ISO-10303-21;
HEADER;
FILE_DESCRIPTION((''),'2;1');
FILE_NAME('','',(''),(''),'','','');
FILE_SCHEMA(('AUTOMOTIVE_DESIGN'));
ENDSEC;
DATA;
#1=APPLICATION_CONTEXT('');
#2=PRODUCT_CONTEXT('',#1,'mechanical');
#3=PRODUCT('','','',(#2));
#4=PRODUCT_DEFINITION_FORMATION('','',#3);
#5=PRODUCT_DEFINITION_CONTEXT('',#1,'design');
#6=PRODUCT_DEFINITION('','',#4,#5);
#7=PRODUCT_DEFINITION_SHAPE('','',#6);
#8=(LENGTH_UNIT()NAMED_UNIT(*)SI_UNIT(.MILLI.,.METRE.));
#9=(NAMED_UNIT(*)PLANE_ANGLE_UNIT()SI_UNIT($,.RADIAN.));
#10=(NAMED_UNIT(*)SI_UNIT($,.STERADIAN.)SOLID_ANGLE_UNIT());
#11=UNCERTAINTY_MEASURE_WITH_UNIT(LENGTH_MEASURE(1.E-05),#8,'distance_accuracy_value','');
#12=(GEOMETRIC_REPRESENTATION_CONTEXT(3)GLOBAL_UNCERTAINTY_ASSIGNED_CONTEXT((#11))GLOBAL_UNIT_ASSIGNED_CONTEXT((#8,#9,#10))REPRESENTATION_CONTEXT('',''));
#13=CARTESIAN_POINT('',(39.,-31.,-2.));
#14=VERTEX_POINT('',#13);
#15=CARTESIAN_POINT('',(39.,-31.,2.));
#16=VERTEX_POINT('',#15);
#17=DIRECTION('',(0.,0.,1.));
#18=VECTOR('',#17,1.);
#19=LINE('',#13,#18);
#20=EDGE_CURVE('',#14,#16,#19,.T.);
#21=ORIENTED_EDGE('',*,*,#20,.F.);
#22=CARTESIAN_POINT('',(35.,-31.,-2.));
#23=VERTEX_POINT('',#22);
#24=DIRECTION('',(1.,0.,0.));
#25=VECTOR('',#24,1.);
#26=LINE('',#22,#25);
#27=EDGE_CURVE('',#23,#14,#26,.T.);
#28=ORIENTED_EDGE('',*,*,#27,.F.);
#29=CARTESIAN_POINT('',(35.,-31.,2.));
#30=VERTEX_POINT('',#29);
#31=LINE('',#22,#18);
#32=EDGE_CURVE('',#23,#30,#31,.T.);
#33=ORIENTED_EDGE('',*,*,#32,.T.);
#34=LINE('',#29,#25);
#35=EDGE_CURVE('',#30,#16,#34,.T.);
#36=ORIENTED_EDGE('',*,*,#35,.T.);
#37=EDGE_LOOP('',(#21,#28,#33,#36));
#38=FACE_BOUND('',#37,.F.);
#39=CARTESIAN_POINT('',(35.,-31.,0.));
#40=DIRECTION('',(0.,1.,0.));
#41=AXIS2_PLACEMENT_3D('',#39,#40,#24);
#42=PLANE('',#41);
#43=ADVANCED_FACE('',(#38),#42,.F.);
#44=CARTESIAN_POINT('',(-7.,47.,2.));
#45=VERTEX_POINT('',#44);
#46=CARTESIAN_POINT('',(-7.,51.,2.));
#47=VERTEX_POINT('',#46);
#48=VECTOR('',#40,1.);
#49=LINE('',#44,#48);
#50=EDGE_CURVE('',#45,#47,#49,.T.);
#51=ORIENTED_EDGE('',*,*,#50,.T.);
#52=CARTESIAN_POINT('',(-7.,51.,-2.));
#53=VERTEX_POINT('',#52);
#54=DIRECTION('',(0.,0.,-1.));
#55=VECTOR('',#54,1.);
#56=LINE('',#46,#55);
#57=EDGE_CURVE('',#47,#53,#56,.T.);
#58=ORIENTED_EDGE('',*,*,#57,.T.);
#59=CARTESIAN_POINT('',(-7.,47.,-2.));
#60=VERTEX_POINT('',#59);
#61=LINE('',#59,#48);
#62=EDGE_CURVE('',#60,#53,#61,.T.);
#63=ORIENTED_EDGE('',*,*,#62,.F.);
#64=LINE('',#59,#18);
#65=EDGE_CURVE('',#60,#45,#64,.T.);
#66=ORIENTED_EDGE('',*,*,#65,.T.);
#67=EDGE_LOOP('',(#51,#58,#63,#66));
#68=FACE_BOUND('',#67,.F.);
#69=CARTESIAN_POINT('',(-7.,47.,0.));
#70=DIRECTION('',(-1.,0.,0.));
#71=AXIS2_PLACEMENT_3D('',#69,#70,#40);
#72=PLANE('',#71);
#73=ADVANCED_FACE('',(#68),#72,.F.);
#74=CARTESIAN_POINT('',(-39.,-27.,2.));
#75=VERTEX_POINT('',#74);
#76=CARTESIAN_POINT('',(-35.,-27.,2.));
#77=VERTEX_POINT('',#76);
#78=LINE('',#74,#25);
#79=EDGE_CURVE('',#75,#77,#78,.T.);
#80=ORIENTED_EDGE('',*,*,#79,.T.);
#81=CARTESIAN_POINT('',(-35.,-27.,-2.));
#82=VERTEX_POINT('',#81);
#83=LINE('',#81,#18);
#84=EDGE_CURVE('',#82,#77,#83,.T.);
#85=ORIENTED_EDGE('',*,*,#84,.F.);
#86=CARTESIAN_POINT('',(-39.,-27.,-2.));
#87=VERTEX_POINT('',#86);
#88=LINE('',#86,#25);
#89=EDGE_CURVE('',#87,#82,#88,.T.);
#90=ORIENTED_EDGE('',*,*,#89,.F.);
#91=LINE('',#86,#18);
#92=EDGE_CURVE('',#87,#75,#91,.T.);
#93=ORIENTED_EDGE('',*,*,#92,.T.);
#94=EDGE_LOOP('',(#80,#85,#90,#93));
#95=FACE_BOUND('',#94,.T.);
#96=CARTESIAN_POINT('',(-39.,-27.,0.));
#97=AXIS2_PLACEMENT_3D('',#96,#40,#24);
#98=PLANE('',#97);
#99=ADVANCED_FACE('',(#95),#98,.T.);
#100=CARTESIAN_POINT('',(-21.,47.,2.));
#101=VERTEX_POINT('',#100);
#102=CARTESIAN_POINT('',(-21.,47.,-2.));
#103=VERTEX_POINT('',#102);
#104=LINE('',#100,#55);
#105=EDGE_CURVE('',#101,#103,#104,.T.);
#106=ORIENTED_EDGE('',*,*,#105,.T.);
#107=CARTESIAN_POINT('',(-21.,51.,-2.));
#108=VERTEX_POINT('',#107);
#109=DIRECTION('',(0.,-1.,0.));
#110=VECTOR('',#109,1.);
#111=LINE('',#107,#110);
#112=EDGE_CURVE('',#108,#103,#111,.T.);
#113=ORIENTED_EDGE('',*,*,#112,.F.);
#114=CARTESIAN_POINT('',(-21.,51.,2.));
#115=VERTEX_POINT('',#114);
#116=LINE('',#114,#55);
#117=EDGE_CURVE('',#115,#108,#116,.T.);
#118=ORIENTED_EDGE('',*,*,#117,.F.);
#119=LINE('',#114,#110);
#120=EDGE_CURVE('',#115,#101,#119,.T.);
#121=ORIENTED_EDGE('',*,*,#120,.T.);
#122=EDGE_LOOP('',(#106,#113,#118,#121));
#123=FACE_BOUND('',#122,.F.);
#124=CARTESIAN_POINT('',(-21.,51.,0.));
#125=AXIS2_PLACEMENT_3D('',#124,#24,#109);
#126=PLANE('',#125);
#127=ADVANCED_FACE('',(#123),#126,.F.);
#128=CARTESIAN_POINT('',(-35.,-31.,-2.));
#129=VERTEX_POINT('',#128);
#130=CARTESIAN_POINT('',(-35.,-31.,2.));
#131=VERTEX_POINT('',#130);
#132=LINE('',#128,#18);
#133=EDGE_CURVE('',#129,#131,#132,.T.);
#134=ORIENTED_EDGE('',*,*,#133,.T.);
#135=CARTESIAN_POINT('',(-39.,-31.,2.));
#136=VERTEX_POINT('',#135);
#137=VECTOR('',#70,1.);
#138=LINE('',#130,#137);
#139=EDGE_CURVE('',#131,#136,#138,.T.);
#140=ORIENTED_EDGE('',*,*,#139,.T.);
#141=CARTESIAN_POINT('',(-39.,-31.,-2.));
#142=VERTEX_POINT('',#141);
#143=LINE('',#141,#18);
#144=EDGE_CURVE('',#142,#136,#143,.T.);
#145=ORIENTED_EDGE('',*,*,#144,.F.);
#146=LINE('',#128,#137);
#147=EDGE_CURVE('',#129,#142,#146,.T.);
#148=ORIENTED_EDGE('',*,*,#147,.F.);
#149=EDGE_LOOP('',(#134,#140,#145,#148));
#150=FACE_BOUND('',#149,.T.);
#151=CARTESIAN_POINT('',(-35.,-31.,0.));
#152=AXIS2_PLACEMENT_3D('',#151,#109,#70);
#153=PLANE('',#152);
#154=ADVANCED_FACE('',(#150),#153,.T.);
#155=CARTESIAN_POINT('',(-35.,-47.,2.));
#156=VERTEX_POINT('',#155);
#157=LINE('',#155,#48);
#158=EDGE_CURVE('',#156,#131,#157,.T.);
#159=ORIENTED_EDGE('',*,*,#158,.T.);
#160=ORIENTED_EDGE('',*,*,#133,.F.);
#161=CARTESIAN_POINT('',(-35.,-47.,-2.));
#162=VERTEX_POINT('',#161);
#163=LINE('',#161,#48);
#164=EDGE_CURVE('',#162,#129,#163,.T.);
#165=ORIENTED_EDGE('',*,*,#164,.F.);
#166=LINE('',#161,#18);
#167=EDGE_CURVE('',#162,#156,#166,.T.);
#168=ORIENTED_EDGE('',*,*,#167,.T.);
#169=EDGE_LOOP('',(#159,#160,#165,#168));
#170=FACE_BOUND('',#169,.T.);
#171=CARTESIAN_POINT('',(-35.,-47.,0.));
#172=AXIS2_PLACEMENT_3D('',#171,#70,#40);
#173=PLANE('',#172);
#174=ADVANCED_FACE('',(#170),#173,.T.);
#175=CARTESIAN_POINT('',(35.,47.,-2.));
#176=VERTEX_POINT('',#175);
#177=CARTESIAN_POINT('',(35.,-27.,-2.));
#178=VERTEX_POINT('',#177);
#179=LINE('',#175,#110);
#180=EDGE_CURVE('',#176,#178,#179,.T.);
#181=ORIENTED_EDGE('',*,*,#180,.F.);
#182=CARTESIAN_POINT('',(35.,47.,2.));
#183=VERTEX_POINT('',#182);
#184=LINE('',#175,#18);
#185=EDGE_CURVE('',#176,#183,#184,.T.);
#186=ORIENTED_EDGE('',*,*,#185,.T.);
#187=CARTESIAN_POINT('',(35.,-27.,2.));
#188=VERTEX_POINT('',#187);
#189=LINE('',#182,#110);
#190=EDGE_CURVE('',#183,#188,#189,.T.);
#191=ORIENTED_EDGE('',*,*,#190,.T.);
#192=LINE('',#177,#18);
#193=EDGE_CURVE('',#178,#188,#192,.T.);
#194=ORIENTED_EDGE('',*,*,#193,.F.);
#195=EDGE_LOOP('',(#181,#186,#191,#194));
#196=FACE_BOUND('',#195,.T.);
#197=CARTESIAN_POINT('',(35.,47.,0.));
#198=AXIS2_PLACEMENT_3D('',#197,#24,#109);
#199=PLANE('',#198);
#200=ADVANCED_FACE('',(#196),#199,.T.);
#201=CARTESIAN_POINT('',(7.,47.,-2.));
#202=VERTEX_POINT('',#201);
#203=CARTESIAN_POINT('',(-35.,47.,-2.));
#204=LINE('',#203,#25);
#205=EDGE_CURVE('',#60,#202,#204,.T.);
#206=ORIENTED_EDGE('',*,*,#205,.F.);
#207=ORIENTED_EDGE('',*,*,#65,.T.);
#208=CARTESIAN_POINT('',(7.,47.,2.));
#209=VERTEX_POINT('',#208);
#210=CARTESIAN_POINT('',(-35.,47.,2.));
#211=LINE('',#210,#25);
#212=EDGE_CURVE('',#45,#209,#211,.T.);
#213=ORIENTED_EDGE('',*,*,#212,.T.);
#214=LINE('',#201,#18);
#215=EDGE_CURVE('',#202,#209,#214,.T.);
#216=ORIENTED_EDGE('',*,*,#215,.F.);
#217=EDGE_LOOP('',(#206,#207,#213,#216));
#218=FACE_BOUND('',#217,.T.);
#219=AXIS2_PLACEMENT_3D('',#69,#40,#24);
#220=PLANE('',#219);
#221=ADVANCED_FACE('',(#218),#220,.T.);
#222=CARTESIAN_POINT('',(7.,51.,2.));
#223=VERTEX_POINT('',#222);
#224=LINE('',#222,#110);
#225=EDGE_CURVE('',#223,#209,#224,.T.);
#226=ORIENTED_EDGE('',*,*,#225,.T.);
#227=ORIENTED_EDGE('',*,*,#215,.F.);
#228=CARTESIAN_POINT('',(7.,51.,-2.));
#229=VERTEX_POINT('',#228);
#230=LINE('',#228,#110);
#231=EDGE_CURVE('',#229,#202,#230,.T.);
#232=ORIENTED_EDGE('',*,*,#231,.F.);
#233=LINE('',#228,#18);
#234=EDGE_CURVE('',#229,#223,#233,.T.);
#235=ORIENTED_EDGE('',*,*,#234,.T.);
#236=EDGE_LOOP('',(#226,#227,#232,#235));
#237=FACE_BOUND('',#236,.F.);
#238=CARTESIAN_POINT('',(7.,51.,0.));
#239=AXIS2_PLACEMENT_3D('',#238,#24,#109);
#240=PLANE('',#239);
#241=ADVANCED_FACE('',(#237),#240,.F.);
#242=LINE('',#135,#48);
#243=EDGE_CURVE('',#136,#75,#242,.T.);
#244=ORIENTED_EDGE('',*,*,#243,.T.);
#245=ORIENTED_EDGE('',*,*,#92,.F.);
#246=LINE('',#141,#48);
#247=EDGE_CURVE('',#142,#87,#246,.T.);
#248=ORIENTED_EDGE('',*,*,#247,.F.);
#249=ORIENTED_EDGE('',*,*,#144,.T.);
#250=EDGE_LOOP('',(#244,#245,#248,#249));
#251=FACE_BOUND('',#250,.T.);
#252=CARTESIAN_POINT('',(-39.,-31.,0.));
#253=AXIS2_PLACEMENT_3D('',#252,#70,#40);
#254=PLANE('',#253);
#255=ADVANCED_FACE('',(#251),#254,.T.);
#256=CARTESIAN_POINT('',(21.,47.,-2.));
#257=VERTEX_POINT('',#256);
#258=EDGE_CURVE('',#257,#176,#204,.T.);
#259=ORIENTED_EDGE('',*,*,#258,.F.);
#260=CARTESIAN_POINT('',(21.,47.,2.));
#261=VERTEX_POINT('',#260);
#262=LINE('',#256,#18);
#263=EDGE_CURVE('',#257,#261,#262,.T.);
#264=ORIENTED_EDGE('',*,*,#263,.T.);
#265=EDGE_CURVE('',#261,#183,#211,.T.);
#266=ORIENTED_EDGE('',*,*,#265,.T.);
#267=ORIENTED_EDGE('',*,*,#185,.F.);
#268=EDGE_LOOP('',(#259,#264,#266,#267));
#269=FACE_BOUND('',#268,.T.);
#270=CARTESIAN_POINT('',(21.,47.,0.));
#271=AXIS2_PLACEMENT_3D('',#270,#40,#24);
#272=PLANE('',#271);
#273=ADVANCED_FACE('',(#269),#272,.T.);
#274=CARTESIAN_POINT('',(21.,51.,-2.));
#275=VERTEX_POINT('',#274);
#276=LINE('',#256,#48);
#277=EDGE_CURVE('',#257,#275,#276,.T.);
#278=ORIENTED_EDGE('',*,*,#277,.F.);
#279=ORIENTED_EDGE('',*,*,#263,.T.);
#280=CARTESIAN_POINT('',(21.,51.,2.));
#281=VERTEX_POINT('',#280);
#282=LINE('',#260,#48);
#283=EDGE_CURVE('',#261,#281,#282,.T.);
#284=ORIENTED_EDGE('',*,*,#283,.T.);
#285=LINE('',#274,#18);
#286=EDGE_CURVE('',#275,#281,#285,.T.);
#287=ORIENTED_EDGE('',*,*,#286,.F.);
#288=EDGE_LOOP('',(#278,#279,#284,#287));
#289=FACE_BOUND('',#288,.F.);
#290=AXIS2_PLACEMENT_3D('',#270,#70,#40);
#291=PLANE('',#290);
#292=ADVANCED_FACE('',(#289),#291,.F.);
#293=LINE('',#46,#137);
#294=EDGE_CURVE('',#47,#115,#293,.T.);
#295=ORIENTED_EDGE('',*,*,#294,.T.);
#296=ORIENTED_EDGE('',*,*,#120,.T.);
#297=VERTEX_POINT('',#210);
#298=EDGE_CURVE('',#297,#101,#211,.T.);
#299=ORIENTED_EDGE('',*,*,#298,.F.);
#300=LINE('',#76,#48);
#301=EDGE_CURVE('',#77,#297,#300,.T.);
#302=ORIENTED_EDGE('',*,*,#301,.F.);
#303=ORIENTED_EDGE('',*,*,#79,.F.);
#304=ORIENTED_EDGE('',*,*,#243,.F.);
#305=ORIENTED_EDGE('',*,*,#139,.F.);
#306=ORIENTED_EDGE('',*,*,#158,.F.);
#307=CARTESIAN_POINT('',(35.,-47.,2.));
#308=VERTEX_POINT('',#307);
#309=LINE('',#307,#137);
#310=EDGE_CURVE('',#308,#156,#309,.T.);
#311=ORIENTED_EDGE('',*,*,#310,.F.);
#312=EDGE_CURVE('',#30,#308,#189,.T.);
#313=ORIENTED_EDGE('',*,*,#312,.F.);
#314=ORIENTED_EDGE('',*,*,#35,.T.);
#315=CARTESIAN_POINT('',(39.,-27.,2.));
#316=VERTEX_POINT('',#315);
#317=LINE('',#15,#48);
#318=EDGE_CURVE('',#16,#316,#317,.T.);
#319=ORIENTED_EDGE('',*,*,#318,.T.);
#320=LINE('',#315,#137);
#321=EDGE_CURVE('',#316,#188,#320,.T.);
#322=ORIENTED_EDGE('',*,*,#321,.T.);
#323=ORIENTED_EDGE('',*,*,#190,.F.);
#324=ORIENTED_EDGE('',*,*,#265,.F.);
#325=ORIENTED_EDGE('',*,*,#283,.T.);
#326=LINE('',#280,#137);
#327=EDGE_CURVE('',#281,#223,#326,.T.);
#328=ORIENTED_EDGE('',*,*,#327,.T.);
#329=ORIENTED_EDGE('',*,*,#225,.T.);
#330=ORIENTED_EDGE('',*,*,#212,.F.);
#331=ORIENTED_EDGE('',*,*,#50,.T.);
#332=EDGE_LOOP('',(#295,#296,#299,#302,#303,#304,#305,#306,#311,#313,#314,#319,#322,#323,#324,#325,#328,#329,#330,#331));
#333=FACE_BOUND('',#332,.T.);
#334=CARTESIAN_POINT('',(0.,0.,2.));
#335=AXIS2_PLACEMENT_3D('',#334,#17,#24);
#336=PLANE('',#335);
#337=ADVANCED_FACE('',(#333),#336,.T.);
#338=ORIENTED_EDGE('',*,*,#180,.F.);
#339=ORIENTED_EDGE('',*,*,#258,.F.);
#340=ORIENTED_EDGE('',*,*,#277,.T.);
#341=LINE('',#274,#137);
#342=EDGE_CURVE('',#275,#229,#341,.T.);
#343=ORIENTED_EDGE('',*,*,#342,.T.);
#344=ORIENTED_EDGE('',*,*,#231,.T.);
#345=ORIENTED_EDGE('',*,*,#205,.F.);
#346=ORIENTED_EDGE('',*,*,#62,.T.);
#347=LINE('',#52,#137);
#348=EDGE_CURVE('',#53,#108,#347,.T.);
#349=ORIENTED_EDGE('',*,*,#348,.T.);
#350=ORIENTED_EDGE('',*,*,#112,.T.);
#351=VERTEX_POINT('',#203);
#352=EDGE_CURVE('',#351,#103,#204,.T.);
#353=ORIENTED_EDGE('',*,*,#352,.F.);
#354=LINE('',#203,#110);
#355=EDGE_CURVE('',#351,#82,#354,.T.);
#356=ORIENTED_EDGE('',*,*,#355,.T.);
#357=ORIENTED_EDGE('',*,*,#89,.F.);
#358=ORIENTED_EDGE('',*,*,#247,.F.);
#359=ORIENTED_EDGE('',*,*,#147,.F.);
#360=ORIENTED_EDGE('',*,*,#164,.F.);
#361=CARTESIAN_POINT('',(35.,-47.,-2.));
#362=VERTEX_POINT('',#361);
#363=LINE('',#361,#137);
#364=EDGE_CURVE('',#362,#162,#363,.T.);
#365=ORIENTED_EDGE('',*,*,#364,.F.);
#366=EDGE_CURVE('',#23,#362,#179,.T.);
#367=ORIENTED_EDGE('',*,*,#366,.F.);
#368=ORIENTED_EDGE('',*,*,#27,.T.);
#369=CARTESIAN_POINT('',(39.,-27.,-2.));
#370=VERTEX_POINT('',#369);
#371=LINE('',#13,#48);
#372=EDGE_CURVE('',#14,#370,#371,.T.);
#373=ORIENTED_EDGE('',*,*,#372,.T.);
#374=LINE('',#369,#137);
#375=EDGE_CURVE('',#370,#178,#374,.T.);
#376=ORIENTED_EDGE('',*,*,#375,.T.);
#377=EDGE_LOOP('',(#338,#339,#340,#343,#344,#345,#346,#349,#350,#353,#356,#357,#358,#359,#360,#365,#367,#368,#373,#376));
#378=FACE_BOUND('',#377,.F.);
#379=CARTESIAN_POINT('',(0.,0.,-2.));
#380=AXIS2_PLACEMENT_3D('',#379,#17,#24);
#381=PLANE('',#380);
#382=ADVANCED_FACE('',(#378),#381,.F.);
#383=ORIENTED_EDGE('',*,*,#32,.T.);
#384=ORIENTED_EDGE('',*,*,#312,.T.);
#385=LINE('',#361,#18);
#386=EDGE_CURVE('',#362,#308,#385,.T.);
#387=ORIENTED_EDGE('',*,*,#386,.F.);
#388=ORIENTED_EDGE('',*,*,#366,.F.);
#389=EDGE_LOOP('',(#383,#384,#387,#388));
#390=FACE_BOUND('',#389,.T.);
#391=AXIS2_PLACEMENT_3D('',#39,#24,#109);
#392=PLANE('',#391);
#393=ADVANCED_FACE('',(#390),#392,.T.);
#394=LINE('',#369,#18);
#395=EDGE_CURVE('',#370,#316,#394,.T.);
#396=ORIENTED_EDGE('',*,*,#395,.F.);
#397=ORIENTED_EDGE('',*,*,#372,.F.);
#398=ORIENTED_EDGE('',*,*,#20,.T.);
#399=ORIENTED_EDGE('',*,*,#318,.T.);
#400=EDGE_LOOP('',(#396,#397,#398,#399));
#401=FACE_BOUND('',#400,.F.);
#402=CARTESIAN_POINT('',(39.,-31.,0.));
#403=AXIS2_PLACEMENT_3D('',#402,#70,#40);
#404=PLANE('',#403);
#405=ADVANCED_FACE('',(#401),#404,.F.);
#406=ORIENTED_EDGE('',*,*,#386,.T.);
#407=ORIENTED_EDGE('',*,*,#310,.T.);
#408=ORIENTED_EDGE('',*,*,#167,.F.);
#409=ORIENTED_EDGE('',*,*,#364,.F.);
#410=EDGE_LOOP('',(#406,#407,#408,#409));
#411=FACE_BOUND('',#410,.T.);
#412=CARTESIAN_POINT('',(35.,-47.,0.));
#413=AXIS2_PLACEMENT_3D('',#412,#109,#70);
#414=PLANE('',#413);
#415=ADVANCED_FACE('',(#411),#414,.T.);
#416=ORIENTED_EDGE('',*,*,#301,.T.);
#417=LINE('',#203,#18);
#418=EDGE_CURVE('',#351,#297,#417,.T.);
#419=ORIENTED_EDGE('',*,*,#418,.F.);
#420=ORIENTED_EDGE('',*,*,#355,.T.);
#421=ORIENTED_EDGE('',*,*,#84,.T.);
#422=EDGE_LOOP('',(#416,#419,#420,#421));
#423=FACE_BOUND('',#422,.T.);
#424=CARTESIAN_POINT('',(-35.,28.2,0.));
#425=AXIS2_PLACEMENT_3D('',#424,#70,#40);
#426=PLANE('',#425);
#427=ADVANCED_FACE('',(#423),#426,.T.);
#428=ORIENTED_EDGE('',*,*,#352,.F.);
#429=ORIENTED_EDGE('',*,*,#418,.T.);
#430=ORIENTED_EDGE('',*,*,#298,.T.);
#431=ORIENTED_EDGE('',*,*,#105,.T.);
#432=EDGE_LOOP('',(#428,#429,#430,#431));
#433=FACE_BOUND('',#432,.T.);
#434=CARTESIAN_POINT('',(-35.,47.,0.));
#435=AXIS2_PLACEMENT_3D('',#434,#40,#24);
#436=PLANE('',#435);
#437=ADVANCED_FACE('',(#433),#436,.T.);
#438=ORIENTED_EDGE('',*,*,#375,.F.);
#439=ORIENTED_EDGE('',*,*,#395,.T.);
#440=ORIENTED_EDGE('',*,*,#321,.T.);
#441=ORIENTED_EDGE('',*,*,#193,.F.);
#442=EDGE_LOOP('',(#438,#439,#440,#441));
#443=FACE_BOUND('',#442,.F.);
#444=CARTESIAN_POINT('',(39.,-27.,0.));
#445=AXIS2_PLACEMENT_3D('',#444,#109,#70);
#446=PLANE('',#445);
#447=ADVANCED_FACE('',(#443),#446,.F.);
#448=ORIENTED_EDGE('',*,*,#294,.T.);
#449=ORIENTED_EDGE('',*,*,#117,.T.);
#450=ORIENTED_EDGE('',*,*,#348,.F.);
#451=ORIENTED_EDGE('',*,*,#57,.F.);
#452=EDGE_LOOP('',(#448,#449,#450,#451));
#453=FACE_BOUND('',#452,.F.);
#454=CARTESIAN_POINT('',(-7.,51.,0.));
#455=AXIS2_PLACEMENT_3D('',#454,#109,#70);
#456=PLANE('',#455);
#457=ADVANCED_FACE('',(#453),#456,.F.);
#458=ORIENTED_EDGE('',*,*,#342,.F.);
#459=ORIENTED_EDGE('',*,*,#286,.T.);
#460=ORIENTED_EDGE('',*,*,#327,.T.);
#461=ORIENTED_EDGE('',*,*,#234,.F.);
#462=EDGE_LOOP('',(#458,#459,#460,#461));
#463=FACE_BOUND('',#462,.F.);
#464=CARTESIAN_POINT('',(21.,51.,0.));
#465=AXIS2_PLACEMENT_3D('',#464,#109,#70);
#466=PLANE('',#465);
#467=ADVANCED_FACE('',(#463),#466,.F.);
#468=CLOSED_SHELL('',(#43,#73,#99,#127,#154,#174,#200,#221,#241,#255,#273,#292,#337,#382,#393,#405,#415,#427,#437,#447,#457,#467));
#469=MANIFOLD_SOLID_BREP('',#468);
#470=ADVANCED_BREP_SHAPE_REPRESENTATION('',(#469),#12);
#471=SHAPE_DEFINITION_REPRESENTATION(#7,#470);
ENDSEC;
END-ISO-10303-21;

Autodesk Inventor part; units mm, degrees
ref_plane "YZ Plane" through (0, 0, 0) normal (1, 0, 0) x (0, 1, 0)
ref_plane "XZ Plane" through (0, 0, 0) normal (0, 1, 0) x (-1, 0, 0)
ref_plane "XY Plane" through (0, 0, 0) normal (0, 0, 1) x (1, 0, 0)
sketch "Sketch1" plane through (0, 0, 0) normal (0, 0, 1) x (1, 0, 0)
  line L0 (-35, 47) -> (35, 47)
  line L1 (35, 47) -> (35, -47)
  line L2 (35, -47) -> (-35, -47)
  line L3 (-35, -47) -> (-35, 47)
  line L4 (-21, 47) -> (-7, 47)
  line L5 (-7, 47) -> (-7, 51)
  line L6 (-7, 51) -> (-21, 51)
  line L7 (-21, 51) -> (-21, 47)
  line L8 (7, 47) -> (21, 47)
  line L9 (21, 47) -> (21, 51)
  line L10 (21, 51) -> (7, 51)
  line L11 (7, 51) -> (7, 47)
  line L12 (-35, 9.4) -> (-35, 28.2)
  line L13 (-35, -31) -> (-39, -31)
  line L14 (-35, -47) -> (-35, -31)
  line L15 (0, 0) -> (0, 10.1242)
  line L16 (35, -31) -> (39, -31)
  line L17 (-35, -31) -> (-39, -31)
  line L18 (-39, -31) -> (-39, -27)
  line L19 (-39, -27) -> (-35, -27)
  line L20 (-35, -27) -> (-35, -31)
  line L21 (35, -31) -> (39, -31)
  line L22 (39, -31) -> (39, -27)
  line L23 (39, -27) -> (35, -27)
  line L24 (35, -27) -> (35, -31)
  point P0 (0, 47)
  point P1 (35, 0)
  point P2 (35, -31)
  point P3 (-37, -47)
  point P4 (-35, -27)
  point P5 (39, -31)
  point P6 (35, -27)
  dimension "d0" = 94
  dimension "d1" = 70
  dimension "d2" = 14
  dimension "d3" = 14
  dimension "d4" = 14
  dimension "d5" = 14
  dimension "d6" = 4
  dimension "d14" = 4
  dimension "d15" = 4
  dimension "d16" = 4
  dimension "d17" = 4
  dimension "d19" = 78
extrude "Extrusion1" add sketch "Sketch1" along normal mid plane 4
equation "\"d2\" = 0.2 * d1"
equation "\"d3\" = d2"
equation "\"d4\" = d2"
equation "\"d5\" = d3"
properties part number "Bottom"
